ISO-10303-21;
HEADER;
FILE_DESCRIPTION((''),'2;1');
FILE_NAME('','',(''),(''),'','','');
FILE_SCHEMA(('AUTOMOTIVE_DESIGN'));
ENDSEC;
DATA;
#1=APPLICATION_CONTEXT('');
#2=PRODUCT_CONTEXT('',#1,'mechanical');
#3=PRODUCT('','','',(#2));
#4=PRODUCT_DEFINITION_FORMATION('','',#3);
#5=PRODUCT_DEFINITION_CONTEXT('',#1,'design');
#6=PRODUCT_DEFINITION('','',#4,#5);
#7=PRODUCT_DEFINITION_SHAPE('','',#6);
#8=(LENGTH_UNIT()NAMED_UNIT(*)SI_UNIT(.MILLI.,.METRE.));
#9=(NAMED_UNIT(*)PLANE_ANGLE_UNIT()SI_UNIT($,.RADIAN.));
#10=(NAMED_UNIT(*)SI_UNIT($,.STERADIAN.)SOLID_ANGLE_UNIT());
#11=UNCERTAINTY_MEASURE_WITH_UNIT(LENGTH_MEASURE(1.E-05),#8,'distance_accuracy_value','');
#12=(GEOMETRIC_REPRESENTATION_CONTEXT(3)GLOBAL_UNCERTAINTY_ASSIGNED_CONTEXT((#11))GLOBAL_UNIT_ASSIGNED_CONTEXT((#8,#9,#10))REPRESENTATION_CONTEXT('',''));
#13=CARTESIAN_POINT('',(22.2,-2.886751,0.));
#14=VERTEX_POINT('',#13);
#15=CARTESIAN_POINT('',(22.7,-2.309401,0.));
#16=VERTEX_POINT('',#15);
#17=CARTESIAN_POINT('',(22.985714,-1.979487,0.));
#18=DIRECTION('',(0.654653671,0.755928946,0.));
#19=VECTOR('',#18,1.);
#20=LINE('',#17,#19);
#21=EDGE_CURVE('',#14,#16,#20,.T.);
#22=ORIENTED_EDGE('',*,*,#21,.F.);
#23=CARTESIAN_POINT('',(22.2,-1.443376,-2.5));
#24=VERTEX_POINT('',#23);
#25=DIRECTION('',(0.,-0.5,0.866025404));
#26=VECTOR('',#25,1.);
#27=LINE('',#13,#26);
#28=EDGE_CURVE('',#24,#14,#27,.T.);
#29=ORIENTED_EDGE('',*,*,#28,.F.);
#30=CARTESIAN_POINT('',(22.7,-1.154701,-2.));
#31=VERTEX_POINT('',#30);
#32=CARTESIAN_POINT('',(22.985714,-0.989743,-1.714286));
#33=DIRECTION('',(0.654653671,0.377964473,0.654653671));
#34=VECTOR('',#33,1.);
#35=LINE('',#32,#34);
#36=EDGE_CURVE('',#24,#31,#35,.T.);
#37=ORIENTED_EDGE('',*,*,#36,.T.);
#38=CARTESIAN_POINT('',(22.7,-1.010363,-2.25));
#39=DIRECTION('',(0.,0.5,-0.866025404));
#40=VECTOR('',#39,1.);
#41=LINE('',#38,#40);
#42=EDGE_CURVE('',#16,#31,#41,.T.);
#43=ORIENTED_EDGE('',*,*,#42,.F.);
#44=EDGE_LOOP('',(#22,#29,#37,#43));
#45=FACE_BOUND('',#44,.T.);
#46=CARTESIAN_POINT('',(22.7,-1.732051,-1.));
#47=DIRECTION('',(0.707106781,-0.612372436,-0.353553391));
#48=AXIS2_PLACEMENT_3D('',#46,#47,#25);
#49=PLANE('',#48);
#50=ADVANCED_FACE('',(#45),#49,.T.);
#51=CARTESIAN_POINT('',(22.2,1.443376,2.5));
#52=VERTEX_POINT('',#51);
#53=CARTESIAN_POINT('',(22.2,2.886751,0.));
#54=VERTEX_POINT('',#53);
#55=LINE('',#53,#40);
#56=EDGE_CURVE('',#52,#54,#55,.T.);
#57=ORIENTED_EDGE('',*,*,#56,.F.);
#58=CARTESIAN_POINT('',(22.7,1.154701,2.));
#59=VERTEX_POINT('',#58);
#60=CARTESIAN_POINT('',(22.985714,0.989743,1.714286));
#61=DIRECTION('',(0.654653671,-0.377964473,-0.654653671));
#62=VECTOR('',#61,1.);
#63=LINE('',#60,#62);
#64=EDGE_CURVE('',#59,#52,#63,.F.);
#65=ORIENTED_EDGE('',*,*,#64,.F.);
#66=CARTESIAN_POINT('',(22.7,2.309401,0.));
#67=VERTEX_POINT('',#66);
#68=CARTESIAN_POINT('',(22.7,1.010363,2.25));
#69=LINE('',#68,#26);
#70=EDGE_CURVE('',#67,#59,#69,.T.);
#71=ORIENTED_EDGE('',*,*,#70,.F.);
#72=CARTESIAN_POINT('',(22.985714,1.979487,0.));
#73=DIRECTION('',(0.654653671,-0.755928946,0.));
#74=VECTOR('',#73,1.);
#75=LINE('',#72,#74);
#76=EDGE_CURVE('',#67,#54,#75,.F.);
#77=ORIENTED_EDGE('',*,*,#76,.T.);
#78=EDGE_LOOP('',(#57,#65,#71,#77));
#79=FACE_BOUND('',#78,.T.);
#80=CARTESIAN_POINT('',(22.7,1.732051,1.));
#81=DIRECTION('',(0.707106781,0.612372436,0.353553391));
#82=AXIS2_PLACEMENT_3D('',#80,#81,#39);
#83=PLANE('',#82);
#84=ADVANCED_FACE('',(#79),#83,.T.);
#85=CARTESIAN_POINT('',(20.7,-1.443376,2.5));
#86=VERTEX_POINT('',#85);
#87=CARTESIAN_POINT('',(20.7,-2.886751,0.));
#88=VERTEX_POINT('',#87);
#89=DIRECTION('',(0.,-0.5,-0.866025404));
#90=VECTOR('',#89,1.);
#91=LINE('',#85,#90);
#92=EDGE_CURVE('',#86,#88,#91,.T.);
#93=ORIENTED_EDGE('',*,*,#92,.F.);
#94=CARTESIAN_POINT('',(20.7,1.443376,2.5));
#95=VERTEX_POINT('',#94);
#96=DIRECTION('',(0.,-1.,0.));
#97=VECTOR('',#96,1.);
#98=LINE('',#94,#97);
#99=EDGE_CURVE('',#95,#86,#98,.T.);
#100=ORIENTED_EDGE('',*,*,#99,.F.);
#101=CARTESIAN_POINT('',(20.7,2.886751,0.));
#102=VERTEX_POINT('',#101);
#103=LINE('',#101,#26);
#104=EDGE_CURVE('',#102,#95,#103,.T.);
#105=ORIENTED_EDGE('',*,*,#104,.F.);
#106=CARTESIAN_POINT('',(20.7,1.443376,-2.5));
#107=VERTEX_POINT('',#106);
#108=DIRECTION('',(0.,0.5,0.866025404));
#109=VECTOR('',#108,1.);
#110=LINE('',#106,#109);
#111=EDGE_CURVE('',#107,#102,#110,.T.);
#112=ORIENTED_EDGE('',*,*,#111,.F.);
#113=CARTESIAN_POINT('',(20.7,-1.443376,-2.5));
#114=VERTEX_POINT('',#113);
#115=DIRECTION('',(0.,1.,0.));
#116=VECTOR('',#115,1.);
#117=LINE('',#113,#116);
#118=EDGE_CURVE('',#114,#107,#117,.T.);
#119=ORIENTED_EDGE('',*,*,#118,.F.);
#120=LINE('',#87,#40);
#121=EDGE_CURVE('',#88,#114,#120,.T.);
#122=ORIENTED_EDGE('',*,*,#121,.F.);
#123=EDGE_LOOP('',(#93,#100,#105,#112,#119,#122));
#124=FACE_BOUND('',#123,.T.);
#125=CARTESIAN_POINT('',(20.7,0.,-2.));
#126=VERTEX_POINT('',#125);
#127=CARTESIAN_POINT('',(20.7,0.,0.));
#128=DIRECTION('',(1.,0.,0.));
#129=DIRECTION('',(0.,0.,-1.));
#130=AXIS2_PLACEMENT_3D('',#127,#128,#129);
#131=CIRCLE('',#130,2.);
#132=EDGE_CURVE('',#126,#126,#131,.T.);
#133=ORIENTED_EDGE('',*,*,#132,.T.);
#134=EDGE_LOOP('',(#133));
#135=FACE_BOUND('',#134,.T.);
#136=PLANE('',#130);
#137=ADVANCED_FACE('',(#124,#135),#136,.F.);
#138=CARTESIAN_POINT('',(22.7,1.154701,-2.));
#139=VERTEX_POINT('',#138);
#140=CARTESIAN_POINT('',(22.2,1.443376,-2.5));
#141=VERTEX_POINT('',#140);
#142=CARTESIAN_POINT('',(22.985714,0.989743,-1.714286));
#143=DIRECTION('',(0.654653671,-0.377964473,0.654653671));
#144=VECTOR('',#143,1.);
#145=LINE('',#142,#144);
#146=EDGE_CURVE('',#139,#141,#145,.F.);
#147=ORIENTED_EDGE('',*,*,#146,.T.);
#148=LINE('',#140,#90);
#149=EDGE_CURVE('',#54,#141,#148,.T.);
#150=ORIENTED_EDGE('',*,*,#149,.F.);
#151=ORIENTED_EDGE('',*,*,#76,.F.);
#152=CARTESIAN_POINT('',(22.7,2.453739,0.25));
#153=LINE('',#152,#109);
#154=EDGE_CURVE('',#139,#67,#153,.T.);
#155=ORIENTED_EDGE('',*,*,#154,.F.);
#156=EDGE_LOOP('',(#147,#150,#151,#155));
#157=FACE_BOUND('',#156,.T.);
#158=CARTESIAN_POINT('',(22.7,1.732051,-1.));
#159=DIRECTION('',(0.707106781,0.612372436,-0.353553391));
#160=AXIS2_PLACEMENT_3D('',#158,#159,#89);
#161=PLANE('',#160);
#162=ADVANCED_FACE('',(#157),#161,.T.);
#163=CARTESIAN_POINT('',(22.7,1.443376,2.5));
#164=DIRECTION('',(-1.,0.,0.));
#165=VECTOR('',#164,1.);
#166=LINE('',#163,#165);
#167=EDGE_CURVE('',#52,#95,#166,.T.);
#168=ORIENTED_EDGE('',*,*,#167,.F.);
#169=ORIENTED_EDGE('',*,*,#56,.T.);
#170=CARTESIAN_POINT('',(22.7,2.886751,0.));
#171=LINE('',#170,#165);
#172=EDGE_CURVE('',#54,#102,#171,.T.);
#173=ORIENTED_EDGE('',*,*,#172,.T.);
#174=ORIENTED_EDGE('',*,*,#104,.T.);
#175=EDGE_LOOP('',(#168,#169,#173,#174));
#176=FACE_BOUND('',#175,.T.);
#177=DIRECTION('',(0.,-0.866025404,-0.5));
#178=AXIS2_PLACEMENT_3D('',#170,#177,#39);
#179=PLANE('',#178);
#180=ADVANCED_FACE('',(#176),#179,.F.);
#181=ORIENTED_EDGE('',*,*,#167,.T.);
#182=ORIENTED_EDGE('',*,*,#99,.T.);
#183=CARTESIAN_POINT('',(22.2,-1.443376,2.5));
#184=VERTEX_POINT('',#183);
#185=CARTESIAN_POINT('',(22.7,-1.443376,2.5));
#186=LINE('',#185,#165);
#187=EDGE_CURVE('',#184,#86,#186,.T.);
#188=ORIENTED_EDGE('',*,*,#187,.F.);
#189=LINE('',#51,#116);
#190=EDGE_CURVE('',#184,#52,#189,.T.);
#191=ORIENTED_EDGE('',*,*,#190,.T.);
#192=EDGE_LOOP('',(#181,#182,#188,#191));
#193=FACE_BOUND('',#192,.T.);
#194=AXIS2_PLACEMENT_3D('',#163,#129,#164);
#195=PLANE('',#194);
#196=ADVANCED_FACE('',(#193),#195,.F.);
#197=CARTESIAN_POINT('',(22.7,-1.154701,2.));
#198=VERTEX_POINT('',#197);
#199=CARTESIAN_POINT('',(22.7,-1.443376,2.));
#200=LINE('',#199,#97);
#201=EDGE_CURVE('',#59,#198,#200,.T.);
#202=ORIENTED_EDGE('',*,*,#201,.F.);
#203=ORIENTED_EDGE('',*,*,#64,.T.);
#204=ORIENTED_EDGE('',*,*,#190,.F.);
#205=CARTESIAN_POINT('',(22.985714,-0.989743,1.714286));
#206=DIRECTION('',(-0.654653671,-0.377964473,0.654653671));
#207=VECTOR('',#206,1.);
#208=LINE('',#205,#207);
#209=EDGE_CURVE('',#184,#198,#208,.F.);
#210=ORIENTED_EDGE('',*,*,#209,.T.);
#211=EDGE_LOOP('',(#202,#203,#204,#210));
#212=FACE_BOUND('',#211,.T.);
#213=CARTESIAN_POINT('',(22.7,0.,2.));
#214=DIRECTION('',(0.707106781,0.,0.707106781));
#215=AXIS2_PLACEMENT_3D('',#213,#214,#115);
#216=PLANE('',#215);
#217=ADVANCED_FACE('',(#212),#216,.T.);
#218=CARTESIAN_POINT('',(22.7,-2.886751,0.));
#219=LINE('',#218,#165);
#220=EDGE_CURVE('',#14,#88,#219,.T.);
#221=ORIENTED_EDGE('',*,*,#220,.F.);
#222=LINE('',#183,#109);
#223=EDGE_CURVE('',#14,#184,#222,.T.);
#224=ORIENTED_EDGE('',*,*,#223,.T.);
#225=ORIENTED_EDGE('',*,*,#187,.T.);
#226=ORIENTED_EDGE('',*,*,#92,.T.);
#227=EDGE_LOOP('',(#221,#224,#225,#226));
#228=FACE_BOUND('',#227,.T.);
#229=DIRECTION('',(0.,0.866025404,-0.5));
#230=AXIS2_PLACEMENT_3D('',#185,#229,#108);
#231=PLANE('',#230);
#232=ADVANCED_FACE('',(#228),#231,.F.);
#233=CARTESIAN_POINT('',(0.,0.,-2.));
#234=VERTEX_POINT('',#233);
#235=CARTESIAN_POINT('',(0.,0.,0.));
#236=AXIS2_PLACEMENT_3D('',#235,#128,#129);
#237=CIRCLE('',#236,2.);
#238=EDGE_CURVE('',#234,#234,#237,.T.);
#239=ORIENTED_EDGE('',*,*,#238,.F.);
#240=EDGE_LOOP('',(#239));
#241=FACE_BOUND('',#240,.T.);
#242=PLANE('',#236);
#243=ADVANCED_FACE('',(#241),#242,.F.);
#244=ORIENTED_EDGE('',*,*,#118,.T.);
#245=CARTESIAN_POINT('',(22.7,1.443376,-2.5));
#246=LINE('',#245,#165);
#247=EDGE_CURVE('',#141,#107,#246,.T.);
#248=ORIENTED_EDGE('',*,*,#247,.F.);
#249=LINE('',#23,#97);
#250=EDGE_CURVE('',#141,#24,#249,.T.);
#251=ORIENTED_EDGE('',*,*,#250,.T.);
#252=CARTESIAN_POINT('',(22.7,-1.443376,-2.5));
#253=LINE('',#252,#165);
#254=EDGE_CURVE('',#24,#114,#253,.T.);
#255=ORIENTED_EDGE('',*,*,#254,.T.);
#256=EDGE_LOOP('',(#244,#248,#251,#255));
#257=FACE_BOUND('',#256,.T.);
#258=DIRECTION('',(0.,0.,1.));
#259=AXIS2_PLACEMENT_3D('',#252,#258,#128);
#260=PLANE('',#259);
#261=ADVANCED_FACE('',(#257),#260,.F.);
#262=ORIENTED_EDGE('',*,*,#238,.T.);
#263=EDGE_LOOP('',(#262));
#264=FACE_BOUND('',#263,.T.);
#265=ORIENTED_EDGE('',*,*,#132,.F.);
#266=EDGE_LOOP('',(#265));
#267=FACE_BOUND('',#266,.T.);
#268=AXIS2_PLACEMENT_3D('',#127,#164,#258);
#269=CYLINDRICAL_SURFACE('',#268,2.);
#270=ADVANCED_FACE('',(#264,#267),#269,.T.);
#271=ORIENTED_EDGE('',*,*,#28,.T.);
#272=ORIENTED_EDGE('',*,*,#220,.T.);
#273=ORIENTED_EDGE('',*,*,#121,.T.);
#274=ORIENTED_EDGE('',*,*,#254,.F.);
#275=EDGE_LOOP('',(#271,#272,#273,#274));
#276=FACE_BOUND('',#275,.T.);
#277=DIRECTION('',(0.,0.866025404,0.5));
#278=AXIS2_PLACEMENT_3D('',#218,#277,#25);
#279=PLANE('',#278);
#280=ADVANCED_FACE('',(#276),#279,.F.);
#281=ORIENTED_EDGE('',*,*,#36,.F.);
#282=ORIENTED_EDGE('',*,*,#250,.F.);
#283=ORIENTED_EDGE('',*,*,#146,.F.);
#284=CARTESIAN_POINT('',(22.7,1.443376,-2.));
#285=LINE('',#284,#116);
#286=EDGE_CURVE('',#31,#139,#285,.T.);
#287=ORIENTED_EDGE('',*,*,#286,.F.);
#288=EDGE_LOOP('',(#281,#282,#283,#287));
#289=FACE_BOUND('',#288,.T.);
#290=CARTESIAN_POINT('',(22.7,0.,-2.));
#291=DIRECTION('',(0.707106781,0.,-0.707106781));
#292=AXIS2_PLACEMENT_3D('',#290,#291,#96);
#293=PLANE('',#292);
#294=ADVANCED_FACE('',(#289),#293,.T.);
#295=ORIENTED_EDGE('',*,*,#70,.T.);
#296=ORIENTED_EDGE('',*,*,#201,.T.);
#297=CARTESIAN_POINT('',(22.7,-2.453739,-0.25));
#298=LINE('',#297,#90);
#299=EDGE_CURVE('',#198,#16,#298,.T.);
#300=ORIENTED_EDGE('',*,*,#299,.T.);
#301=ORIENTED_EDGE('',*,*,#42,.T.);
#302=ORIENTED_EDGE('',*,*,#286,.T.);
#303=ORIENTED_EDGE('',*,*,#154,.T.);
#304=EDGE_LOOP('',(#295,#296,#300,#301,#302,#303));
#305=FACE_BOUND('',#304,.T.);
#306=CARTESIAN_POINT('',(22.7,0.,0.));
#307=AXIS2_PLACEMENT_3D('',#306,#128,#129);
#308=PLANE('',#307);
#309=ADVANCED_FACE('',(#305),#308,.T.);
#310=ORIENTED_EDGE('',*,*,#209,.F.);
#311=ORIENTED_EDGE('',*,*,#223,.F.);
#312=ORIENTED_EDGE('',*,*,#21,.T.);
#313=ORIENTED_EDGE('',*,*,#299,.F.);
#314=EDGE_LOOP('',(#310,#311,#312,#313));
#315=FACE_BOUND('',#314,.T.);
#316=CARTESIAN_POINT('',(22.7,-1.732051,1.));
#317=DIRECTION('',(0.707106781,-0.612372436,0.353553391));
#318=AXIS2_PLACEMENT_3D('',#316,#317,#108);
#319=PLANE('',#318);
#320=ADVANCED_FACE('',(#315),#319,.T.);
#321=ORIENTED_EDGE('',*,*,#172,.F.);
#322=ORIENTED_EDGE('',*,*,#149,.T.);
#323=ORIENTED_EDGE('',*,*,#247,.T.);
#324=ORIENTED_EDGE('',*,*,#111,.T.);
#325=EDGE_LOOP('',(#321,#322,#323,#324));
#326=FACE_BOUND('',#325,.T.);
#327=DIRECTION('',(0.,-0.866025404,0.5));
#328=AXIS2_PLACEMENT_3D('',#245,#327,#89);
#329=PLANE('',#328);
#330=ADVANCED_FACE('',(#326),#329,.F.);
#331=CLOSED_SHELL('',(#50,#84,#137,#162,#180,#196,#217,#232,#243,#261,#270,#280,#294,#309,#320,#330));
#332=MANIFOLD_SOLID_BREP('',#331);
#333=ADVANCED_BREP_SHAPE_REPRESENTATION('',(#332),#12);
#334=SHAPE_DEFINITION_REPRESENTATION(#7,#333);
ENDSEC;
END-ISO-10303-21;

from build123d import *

# Parameters (mm, degrees)
SKETCH1_R           = 2
BOSS_EXTRUDE1_DEPTH = 20.7
BOSS_EXTRUDE2_DEPTH = 2
CHAMFER1_SIZE       = 0.5


with BuildPart() as part:
    # Sketch1 → Boss-Extrude1 (new body)
    with BuildSketch(Plane(origin=(0, 0, 0), x_dir=(0, 0, -1), z_dir=(1, 0, 0))):
        Circle(SKETCH1_R)
    extrude(amount=BOSS_EXTRUDE1_DEPTH)

    # Sketch2 → Boss-Extrude2 (add)
    with BuildSketch(Plane(origin=(20.7, 0, 0), x_dir=(0, 0, -1), z_dir=(1, 0, 0))):
        Polygon((0, -2.886751346), (2.5, -1.443375673), (2.5, 1.443375673), (0, 2.886751346), (-2.5, 1.443375673), (-2.5, -1.443375673), align=None)
    extrude(amount=BOSS_EXTRUDE2_DEPTH)

    # Chamfer1
    chamfer1_edges = [part.edges().sort_by_distance(p)[0] for p in [
        (22.7, -2.165063509, 1.25),
        (22.7, -2.165063509, -1.25),
        (22.7, 0, -2.5),
        (22.7, 2.165063509, -1.25),
        (22.7, 2.165063509, 1.25),
        (22.7, 0, 2.5),
    ]]
    chamfer(chamfer1_edges, length=CHAMFER1_SIZE)


solid = part.part
